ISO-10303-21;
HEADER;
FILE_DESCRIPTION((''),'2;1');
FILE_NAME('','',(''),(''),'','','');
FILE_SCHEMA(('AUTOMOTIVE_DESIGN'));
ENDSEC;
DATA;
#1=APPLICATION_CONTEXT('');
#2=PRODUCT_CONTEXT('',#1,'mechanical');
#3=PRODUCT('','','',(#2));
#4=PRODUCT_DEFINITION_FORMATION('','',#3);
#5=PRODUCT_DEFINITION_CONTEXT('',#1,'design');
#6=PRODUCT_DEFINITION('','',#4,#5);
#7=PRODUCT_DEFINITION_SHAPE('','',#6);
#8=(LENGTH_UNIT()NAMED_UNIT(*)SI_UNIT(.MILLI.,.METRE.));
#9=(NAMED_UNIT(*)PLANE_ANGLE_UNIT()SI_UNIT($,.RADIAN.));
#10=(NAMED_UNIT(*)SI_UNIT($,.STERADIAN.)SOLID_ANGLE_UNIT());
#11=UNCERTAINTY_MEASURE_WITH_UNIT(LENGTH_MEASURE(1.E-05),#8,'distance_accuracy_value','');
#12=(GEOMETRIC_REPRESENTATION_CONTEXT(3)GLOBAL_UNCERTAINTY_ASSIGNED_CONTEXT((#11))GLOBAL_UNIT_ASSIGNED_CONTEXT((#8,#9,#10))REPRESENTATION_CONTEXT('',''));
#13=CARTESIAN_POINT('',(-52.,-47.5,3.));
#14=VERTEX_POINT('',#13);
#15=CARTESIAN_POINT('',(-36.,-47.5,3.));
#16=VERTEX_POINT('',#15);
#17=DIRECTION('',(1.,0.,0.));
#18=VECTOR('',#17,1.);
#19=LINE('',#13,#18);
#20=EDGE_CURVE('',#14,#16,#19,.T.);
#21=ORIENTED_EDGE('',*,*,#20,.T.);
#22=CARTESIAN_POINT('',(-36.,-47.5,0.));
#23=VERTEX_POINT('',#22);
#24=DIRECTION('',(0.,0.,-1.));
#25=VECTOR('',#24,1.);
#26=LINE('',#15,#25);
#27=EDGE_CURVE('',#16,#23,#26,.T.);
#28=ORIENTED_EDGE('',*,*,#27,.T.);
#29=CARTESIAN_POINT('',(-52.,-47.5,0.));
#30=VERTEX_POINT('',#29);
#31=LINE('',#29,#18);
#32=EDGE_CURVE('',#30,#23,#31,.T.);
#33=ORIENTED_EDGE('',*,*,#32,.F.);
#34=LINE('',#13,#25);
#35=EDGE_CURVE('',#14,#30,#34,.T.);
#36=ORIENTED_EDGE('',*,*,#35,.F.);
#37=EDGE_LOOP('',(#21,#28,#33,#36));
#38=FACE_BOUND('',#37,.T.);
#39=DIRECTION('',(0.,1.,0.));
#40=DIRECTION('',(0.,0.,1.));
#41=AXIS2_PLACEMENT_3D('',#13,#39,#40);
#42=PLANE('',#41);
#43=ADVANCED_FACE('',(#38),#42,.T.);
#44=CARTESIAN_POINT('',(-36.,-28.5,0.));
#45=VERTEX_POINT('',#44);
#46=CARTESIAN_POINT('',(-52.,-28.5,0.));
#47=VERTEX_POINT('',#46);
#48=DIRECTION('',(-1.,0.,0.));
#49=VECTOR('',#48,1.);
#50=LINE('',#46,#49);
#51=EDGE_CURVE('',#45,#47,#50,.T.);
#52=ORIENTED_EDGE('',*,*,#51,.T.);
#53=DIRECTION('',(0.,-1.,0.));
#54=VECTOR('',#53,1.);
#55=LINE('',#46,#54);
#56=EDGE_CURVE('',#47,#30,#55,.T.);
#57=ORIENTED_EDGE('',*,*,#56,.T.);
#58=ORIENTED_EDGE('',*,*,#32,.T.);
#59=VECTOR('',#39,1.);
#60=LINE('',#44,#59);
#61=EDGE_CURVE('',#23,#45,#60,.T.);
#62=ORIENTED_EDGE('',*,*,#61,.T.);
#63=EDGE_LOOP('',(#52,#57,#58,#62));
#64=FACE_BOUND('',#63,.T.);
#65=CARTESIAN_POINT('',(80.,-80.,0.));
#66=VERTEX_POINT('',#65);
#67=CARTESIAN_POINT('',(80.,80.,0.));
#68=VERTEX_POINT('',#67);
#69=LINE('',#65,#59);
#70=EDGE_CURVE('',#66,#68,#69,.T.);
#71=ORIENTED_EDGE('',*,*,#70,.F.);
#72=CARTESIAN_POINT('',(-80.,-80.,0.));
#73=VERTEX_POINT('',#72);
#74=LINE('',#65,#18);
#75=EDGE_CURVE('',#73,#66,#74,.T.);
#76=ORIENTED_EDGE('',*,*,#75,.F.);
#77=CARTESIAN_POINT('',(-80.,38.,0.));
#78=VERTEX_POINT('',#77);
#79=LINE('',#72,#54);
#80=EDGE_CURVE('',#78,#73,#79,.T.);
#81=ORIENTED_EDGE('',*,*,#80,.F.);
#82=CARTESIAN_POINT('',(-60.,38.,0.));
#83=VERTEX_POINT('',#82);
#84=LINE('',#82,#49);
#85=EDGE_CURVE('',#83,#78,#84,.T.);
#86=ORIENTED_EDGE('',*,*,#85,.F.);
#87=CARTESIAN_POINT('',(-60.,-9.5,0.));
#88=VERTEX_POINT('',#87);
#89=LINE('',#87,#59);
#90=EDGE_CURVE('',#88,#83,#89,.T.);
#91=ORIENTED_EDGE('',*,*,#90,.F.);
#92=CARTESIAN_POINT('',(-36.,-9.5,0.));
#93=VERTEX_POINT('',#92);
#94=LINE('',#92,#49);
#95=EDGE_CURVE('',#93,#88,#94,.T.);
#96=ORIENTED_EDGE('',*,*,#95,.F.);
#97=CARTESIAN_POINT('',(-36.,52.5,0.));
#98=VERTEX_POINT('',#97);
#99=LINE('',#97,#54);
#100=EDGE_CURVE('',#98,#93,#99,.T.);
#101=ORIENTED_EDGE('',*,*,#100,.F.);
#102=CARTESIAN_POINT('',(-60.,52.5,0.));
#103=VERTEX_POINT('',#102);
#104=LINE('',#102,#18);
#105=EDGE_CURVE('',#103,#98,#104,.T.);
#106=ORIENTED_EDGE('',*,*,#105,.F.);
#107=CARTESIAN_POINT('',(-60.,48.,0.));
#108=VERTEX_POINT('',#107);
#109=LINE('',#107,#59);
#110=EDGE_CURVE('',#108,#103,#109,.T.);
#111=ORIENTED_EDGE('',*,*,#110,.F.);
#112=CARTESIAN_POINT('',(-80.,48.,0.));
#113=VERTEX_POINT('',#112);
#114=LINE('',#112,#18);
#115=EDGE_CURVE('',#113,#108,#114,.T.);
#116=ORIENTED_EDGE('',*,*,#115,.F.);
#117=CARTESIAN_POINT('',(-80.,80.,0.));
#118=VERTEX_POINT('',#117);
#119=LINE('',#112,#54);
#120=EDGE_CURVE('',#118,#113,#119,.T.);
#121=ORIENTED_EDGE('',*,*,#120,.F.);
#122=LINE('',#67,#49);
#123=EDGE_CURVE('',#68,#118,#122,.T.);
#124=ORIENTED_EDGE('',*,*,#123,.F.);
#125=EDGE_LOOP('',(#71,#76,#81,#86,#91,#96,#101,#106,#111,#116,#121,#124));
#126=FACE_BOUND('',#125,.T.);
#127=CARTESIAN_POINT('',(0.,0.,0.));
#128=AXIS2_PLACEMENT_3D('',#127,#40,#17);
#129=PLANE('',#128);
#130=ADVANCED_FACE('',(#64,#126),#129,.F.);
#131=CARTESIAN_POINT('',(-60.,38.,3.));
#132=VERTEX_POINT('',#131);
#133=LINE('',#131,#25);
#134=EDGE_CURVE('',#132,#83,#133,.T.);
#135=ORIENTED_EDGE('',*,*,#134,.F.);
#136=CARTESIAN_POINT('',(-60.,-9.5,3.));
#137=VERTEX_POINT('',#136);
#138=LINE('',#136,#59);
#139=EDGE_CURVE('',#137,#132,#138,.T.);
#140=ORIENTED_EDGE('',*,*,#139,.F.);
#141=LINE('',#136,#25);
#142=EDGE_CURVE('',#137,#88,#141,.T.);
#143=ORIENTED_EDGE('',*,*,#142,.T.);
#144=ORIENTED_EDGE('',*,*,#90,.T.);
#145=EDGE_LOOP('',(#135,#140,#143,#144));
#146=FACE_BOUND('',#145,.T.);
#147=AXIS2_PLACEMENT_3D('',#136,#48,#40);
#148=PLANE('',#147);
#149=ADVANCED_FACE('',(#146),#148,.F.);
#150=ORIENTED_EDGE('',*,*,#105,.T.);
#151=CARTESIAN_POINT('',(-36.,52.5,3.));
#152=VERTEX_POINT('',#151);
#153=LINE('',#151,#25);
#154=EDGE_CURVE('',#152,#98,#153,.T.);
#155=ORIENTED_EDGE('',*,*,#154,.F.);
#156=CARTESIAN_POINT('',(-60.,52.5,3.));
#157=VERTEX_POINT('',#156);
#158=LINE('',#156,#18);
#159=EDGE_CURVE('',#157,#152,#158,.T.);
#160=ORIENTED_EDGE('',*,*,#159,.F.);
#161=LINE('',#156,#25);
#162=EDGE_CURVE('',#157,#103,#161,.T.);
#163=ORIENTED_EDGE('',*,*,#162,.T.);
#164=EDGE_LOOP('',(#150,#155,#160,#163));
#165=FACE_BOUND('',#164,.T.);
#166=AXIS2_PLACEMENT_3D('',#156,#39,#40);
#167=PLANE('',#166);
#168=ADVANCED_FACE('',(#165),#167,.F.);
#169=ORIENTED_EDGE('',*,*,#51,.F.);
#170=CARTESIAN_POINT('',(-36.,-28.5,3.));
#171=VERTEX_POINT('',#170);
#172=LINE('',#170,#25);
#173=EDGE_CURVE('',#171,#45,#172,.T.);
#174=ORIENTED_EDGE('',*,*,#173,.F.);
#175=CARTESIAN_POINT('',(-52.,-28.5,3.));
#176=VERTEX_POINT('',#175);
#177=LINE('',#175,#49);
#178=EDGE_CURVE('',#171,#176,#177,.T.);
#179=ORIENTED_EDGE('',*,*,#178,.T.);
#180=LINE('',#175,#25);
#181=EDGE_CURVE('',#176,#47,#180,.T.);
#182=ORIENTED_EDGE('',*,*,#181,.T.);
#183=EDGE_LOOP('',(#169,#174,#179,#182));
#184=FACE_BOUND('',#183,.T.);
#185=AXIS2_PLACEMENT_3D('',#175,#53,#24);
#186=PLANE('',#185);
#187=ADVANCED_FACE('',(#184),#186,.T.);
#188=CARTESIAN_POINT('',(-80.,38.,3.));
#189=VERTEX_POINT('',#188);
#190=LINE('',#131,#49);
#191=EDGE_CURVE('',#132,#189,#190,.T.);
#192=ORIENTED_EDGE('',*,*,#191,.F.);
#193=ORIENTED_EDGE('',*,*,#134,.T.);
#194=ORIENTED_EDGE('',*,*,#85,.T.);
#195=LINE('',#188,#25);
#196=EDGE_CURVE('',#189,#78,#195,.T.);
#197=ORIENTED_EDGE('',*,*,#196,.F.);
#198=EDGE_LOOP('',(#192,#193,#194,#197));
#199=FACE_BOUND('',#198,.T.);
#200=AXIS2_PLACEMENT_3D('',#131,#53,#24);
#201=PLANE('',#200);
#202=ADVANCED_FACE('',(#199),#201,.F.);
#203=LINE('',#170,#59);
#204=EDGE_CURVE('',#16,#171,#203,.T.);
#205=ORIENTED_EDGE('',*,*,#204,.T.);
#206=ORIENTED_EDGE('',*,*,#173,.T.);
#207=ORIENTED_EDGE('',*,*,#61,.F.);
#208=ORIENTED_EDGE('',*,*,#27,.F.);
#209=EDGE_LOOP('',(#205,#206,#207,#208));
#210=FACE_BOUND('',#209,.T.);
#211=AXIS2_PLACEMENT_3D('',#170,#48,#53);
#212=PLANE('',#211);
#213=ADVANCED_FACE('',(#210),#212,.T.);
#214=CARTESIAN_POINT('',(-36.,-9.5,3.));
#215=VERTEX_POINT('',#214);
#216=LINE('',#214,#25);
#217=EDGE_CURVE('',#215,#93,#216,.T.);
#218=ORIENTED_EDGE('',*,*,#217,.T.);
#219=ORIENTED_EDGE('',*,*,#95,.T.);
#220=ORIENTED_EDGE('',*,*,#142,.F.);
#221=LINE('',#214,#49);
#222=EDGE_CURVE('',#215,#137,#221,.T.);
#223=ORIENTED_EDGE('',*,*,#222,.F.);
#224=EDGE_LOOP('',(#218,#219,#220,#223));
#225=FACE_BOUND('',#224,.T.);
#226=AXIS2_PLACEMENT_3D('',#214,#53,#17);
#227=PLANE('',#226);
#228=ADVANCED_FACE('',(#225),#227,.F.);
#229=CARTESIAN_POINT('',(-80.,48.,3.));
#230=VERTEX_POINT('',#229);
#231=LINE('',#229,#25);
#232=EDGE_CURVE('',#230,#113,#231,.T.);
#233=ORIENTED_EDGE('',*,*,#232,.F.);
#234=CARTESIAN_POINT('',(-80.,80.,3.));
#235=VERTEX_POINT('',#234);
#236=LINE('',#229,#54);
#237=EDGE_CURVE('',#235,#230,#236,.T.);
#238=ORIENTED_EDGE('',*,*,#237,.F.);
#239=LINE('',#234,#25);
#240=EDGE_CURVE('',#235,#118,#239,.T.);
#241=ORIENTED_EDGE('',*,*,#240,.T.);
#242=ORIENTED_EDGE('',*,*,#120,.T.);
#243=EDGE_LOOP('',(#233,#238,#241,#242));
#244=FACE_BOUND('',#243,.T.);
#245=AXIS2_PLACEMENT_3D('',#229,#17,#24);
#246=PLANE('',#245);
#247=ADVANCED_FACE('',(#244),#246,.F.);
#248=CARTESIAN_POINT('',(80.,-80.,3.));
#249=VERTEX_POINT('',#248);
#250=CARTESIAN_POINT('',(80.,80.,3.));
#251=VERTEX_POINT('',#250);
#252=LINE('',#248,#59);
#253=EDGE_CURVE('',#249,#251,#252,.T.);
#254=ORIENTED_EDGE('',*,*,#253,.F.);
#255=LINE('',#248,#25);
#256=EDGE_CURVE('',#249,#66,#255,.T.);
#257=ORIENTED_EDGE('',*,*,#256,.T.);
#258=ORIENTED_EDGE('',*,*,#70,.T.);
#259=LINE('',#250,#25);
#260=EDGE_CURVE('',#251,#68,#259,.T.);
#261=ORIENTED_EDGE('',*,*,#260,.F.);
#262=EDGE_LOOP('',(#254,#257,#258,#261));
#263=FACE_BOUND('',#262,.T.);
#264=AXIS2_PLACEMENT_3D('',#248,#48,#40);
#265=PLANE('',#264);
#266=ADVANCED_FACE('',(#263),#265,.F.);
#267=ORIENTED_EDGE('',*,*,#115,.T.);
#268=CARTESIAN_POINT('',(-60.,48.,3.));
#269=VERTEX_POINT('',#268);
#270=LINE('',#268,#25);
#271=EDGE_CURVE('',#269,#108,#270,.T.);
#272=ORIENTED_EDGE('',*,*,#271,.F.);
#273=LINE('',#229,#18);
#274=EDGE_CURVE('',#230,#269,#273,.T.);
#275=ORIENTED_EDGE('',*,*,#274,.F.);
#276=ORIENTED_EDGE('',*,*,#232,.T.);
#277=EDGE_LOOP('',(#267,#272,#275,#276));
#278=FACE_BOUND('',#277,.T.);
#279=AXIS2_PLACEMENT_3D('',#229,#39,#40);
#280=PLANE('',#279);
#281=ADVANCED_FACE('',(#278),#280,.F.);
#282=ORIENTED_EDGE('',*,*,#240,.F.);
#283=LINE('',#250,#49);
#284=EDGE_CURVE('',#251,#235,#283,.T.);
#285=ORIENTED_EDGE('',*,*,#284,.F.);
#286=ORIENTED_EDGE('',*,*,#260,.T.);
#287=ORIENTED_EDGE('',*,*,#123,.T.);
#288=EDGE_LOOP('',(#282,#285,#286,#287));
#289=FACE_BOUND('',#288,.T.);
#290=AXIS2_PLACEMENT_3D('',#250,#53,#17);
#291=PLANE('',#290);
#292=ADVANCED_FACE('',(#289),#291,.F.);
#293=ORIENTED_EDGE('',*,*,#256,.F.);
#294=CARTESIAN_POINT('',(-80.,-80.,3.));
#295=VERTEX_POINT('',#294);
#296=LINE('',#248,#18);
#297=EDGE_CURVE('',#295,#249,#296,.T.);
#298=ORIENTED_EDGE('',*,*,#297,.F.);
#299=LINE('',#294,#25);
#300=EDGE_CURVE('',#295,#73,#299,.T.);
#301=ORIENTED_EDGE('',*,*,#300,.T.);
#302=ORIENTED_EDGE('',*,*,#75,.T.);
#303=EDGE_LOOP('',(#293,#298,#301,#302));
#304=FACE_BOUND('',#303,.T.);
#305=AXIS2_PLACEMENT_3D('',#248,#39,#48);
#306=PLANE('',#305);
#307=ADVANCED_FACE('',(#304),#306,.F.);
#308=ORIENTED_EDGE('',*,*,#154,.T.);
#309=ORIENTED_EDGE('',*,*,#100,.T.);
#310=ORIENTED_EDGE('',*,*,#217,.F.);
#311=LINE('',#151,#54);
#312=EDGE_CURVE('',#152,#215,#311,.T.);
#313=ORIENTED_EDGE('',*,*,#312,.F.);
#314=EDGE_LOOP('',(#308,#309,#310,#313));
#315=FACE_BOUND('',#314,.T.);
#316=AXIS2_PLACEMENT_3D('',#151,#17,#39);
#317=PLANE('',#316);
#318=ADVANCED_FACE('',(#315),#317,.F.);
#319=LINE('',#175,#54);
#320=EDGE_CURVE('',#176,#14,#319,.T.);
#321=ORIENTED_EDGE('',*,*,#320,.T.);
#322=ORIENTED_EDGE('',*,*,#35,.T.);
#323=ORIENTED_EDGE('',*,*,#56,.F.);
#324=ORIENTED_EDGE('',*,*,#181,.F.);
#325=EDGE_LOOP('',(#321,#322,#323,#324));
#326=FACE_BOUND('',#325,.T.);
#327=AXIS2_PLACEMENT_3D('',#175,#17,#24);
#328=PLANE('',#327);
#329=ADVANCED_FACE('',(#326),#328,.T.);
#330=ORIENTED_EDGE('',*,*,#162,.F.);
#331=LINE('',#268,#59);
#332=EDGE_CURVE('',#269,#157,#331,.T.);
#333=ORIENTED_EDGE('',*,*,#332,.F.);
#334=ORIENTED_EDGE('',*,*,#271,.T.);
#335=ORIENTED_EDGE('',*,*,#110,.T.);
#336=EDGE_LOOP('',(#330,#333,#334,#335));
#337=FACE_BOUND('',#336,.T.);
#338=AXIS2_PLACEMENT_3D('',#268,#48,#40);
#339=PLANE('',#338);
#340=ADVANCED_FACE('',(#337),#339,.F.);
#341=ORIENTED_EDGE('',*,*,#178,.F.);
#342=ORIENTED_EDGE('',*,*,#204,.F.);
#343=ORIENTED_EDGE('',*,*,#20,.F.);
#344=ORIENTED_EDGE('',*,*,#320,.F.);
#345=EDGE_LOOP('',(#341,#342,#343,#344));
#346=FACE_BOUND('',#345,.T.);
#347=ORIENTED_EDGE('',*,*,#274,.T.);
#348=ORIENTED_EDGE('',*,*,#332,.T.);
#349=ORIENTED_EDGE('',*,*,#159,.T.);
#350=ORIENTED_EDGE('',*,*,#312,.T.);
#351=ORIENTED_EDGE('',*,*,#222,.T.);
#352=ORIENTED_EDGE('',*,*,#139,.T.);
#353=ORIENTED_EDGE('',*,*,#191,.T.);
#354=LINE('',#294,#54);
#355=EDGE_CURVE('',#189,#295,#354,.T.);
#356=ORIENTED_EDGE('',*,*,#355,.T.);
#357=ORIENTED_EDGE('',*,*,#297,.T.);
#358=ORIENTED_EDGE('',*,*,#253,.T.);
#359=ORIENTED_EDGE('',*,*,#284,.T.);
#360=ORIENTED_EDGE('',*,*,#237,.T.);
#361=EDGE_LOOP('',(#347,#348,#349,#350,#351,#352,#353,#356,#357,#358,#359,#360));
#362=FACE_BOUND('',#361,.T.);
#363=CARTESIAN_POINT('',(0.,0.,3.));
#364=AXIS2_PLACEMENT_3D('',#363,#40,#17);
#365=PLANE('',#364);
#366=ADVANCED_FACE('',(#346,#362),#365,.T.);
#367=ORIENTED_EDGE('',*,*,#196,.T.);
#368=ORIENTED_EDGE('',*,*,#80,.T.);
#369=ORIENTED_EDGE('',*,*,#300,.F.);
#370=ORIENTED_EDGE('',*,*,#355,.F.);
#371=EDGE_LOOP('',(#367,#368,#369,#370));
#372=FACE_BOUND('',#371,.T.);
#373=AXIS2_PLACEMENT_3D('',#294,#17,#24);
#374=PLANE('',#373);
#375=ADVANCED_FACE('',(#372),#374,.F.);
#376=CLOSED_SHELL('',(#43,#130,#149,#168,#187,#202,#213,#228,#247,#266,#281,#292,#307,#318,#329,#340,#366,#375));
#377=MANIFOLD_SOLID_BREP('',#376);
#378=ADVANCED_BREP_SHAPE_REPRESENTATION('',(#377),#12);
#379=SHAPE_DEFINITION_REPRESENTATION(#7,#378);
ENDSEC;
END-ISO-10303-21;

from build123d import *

# Parameters (mm, degrees)
SKETCH1_W           = 16
SKETCH1_H           = 19
BOSS_EXTRUDE1_DEPTH = 3


with BuildPart() as part:
    # Sketch1 → Boss-Extrude1 (new body)
    with BuildSketch(Plane.XY):
        Polygon((-36, -9.5), (-60, -9.5), (-60, 38), (-80, 38), (-80, -80), (80, -80), (80, 80), (-80, 80), (-80, 48), (-60, 48), (-60, 52.5), (-36, 52.5), align=None)
        with Locations((-44, -38)):
            Rectangle(SKETCH1_W, SKETCH1_H, mode=Mode.SUBTRACT)
    extrude(amount=BOSS_EXTRUDE1_DEPTH)


solid = part.part
